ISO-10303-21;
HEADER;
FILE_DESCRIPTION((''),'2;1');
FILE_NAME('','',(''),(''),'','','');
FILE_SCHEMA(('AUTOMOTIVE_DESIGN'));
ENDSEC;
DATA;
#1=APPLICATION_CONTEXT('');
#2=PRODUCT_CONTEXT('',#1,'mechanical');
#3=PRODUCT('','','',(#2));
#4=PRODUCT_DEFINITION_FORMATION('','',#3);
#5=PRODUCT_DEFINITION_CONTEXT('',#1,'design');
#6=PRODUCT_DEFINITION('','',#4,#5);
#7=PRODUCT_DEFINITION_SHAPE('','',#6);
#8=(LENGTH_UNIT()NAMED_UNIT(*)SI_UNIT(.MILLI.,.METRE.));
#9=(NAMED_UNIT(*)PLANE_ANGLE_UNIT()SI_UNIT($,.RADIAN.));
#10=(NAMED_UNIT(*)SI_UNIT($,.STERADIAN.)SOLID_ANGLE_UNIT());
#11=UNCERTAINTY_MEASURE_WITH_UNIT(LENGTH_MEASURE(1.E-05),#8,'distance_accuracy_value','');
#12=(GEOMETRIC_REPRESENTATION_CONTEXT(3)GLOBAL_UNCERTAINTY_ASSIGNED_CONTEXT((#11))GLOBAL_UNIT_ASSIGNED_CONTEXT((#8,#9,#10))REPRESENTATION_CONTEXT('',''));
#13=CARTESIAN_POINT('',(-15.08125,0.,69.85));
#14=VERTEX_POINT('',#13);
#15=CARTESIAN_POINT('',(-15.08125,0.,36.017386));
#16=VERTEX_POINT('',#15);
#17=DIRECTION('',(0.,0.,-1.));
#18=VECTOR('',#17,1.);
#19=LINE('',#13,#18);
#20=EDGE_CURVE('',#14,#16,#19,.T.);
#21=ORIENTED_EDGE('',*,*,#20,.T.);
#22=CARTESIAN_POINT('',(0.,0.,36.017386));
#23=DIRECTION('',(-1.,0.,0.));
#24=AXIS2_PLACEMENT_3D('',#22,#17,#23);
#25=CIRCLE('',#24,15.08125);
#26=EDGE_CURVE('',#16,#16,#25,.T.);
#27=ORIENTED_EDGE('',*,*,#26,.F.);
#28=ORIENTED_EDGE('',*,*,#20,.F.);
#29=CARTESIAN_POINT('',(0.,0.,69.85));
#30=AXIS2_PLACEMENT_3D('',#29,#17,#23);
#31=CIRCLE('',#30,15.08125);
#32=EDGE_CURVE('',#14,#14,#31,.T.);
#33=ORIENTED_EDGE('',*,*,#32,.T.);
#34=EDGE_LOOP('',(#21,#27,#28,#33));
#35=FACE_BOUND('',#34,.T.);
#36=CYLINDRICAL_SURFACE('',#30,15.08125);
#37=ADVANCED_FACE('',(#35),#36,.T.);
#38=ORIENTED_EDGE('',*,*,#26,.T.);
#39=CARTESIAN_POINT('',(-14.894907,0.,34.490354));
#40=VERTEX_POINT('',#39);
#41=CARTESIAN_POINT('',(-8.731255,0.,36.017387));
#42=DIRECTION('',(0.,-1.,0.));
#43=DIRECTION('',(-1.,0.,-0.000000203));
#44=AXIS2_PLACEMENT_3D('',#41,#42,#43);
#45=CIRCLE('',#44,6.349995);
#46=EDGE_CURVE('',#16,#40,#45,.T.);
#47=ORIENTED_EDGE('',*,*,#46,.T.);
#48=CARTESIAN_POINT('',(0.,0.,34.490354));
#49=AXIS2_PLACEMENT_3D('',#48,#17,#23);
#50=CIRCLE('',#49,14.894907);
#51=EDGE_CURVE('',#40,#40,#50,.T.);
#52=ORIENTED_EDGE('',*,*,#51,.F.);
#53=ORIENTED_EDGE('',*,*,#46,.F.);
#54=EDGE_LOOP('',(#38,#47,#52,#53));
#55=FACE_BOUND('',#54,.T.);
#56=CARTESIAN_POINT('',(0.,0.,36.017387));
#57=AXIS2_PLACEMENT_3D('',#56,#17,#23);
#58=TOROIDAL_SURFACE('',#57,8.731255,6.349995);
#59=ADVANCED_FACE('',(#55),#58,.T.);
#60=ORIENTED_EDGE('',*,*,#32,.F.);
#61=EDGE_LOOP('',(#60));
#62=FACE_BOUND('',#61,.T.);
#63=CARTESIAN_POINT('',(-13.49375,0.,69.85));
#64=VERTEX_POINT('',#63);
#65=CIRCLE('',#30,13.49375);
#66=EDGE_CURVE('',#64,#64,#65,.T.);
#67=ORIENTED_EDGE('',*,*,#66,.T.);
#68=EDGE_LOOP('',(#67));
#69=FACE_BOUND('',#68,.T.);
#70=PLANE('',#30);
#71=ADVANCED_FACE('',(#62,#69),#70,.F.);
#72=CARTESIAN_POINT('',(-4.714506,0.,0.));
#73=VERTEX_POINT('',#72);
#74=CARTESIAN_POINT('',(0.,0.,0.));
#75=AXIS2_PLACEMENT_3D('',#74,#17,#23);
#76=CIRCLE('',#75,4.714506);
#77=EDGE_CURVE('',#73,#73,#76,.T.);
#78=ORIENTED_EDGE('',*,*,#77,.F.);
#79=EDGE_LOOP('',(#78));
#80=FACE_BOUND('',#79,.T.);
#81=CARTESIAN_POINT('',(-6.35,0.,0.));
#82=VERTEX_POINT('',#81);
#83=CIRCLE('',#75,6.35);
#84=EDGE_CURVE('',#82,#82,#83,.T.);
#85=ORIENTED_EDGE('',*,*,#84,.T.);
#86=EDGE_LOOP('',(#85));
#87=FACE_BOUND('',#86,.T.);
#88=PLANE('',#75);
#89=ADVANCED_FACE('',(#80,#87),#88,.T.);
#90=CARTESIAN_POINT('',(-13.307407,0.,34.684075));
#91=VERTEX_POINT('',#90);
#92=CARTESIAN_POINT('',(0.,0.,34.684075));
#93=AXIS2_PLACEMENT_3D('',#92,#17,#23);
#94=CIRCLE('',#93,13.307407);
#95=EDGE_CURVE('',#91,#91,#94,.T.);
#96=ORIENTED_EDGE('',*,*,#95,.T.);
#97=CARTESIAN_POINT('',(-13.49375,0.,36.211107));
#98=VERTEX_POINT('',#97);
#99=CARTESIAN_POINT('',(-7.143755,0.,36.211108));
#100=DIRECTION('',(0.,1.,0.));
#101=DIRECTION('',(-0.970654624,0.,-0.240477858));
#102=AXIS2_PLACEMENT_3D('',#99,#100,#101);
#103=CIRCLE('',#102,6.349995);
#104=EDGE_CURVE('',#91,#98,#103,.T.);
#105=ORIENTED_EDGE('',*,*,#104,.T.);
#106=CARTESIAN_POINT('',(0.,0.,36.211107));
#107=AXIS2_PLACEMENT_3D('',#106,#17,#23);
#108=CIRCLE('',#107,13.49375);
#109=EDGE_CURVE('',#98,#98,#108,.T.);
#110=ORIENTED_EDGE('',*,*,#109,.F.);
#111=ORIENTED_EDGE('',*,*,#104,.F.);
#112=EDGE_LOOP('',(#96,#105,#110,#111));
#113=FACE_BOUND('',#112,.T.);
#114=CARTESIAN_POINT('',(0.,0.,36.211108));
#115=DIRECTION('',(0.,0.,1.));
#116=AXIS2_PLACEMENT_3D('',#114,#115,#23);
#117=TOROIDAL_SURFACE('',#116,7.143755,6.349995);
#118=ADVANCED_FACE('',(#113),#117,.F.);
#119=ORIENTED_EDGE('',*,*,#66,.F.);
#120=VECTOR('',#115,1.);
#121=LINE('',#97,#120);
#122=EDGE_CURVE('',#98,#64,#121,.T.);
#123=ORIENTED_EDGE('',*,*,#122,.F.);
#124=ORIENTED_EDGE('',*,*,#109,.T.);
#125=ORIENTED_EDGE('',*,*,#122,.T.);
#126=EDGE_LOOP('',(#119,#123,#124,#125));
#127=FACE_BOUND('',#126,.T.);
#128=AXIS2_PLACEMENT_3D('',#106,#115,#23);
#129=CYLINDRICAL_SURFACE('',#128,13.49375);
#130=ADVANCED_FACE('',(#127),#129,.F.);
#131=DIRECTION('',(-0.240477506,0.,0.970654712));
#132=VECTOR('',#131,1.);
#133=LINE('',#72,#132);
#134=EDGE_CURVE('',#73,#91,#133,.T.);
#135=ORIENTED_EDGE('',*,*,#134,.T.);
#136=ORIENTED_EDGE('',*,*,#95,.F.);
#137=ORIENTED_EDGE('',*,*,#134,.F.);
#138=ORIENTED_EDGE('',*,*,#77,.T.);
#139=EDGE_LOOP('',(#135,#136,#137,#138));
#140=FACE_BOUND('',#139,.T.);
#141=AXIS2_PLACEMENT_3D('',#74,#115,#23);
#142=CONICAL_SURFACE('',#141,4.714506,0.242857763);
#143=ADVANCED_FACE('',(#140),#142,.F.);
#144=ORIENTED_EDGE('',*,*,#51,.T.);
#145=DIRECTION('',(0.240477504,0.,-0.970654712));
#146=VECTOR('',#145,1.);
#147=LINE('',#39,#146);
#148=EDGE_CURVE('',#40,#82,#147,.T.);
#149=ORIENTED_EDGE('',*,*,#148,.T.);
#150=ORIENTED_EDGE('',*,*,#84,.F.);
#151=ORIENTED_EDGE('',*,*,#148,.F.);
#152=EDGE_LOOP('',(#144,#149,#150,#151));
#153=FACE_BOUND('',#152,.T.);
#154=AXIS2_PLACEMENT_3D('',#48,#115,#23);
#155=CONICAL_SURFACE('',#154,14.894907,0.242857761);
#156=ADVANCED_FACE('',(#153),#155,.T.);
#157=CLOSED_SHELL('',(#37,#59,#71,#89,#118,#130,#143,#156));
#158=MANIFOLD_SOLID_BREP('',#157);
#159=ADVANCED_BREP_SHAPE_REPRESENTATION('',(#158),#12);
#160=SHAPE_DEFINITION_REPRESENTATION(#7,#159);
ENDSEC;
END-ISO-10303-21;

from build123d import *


with BuildPart() as f1:
    # F0 (on Front) → F1 (revolve)
    with BuildSketch(Plane.XZ):
        with BuildLine():
            Line((-15.08125, 69.85), (-15.08125, 36.017386))
            ThreePointArc((-15.08125, 36.017386), (-15.034492, 35.248206), (-14.894907, 34.490354))
            Line((-14.894907, 34.490354), (-6.35, 0))
            Line((-6.35, 0), (-4.714506, 0))
            Line((-4.714506, 0), (-13.307407, 34.684075))
            ThreePointArc((-13.307407, 34.684075), (-13.446992, 35.441927), (-13.49375, 36.211107))
            Line((-13.49375, 36.211107), (-13.49375, 69.85))
            Line((-13.49375, 69.85), (-15.08125, 69.85))
        make_face()
    revolve(axis=Axis((0, 0, 17.038351), (0, 0, -1)))


solid = f1.part
